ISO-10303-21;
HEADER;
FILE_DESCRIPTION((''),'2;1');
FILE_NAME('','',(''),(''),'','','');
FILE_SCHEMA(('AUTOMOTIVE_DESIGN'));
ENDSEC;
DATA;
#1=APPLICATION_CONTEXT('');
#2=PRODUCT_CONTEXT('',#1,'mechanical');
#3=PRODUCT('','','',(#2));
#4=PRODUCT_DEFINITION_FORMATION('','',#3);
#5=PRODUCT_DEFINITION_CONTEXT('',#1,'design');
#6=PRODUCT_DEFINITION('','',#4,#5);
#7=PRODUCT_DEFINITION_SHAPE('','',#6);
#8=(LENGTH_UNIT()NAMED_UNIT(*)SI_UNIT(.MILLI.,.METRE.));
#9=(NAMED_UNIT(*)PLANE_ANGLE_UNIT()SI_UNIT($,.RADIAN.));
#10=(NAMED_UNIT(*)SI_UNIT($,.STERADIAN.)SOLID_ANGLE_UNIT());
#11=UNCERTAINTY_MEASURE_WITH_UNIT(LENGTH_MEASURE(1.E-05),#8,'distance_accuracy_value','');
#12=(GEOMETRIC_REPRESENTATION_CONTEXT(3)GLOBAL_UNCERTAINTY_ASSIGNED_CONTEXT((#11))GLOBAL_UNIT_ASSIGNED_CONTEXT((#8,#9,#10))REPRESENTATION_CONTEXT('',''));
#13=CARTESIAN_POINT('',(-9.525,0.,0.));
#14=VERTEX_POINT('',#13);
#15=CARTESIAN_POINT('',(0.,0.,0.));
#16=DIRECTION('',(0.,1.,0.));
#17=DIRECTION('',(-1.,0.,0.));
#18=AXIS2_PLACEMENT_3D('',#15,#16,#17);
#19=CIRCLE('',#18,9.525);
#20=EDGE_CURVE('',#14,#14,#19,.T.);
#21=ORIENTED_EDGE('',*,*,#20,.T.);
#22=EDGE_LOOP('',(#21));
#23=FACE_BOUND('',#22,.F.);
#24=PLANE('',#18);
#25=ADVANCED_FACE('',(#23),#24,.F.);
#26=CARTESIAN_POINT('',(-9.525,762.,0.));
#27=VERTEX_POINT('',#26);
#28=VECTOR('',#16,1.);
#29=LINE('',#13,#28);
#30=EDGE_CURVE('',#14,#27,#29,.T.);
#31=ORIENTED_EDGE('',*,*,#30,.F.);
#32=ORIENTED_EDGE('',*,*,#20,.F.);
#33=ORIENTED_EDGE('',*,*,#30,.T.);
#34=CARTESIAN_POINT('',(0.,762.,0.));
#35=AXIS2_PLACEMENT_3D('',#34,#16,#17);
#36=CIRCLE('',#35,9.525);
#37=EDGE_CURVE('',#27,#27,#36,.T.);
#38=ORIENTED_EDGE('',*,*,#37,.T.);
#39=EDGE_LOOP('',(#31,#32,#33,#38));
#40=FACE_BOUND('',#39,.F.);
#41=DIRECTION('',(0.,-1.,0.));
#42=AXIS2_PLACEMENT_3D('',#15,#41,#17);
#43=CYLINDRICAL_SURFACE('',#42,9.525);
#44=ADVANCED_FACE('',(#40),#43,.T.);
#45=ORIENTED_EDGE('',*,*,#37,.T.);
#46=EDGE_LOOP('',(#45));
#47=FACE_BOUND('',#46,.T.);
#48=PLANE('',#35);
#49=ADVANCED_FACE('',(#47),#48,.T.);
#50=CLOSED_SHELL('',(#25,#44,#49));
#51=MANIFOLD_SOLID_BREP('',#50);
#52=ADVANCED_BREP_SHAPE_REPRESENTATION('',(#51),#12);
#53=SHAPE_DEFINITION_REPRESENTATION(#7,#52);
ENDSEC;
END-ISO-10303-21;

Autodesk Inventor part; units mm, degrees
ref_plane "YZ Plane" through (0, 0, 0) normal (1, 0, 0) x (0, 1, 0)
ref_plane "XZ Plane" through (0, 0, 0) normal (0, 1, 0) x (-1, 0, 0)
ref_plane "XY Plane" through (0, 0, 0) normal (0, 0, 1) x (1, 0, 0)
sketch "Sketch1" plane through (0, 0, 0) normal (0, 1, 0) x (-1, 0, 0)
  circle A0 centre (0, 0) radius 9.525
  dimension "d0" = 19.05
extrude "Extrusion1" add sketch "Sketch1" along normal blind 762
properties part number "Metal Rod"
